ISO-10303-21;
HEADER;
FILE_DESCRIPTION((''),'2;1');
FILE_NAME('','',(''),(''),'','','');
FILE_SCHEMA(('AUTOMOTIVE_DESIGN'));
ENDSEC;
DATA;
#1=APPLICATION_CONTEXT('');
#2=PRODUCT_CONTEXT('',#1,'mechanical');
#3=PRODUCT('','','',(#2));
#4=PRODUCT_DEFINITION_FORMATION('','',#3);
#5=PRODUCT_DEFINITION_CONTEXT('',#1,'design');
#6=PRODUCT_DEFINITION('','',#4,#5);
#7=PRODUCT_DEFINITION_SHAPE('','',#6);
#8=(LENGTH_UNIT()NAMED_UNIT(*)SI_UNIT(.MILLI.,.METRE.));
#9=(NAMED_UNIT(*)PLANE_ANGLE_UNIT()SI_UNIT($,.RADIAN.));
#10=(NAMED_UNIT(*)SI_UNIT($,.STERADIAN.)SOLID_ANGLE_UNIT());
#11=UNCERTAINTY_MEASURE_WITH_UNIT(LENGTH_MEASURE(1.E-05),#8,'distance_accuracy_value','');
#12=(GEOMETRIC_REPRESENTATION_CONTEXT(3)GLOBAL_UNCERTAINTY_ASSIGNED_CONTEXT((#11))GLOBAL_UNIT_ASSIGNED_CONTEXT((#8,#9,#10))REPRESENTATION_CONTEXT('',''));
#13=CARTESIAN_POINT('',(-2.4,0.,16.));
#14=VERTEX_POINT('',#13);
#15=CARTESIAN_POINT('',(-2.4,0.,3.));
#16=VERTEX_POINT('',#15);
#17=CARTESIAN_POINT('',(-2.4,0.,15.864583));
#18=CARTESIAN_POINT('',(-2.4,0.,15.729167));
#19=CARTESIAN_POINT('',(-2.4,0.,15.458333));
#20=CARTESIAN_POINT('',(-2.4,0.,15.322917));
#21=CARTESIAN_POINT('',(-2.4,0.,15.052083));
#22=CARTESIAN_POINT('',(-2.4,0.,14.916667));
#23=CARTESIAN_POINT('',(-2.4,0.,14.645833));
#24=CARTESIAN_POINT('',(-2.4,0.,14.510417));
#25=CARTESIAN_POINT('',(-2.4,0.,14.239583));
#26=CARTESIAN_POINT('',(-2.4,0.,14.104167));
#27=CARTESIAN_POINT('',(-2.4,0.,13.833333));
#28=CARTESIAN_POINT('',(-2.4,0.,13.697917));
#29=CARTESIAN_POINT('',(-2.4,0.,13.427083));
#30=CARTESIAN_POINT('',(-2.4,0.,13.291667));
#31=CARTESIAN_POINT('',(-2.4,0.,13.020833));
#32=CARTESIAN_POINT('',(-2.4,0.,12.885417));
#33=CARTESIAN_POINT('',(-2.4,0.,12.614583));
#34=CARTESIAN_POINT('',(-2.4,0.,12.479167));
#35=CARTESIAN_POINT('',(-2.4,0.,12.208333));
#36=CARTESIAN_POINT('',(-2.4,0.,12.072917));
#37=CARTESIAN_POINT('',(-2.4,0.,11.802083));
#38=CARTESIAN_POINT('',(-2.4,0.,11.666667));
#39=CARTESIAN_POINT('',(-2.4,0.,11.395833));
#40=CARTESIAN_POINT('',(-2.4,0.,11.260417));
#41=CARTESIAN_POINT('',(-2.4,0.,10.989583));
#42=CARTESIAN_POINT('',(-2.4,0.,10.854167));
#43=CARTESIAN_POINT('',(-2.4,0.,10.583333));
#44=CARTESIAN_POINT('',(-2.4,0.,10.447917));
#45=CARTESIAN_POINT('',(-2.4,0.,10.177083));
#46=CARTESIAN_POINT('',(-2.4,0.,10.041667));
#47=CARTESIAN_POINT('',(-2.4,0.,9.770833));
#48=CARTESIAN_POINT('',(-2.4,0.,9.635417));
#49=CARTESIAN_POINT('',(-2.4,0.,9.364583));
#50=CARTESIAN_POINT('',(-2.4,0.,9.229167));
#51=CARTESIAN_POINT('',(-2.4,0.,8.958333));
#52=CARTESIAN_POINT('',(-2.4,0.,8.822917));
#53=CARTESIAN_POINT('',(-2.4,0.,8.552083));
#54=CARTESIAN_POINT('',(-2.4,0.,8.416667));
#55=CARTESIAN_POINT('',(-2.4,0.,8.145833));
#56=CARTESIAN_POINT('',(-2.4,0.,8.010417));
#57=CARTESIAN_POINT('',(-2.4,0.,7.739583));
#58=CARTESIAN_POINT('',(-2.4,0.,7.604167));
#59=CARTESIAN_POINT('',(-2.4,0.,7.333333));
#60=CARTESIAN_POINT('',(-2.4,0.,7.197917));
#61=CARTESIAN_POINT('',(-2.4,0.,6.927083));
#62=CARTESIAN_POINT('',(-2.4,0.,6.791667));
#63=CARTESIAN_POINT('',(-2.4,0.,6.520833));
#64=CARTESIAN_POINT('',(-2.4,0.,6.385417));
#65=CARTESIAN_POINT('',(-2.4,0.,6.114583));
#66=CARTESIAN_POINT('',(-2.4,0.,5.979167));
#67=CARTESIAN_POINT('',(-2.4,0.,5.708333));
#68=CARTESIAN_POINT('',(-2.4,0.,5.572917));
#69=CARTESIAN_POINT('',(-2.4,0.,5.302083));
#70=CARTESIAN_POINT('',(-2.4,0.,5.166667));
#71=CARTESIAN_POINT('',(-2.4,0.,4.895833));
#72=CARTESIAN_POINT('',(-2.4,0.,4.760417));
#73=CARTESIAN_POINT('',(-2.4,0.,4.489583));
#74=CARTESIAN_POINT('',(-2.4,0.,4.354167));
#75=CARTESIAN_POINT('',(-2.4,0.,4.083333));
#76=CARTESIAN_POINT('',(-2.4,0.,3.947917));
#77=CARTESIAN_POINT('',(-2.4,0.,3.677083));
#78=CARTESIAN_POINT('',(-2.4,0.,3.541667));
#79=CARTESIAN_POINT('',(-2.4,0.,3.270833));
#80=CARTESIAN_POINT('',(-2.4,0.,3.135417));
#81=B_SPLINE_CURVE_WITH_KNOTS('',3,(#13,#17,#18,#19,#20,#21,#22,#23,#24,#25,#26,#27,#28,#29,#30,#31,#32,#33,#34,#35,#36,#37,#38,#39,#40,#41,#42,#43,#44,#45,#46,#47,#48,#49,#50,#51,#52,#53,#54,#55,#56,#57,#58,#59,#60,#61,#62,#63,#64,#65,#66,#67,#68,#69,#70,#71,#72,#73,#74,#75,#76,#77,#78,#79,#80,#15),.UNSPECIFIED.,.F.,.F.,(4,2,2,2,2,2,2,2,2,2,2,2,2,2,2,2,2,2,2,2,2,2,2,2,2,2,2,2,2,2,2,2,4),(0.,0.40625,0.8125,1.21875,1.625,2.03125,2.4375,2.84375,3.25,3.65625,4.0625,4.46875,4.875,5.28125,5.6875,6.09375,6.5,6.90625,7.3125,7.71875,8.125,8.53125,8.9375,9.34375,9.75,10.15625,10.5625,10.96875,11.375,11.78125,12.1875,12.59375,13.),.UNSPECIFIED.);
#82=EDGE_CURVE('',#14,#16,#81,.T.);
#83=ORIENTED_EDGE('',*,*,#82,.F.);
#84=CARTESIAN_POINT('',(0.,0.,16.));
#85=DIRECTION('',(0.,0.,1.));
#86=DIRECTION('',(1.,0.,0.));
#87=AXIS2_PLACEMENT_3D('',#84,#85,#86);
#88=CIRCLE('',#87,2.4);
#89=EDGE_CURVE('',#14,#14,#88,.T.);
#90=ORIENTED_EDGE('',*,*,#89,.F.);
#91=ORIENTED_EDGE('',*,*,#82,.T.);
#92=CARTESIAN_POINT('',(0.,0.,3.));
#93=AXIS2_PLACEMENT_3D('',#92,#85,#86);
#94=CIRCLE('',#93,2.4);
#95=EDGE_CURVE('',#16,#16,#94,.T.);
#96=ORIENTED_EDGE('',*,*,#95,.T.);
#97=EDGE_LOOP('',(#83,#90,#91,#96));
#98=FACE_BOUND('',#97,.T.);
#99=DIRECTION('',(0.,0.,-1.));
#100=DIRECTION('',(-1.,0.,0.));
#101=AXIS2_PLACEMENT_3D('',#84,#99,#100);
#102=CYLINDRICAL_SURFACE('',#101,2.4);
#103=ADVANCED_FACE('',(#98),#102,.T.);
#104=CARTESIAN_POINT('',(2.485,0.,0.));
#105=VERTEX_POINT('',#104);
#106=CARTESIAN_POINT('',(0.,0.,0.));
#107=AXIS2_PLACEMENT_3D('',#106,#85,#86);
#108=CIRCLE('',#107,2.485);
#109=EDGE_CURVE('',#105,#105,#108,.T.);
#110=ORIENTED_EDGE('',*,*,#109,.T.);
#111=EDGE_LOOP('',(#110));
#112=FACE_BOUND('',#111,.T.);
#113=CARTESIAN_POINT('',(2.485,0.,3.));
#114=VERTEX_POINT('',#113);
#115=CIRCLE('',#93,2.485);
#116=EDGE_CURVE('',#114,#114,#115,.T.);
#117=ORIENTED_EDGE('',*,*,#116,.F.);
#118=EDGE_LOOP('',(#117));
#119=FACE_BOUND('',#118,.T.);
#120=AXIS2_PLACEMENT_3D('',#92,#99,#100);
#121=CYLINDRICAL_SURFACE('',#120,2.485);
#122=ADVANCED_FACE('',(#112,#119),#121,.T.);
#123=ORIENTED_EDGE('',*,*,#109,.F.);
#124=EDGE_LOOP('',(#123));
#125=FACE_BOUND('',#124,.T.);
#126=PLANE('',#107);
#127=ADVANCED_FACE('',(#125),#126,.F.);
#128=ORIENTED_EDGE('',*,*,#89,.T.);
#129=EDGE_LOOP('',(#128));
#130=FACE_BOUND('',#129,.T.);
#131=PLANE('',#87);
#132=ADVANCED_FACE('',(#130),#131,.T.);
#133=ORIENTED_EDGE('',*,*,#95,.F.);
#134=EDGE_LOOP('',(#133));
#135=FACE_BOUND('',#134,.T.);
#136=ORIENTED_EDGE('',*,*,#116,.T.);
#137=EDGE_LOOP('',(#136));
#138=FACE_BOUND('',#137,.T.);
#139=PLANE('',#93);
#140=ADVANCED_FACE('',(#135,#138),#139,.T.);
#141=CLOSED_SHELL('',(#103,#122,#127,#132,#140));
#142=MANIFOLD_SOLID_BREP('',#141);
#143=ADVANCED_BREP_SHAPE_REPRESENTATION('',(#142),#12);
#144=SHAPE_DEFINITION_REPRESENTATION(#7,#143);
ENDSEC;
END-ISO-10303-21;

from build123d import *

# Parameters (mm, degrees)
SKETCH_1_R      = 2.485
EXTRUDE_1_DEPTH = 3
SKETCH_2_R      = 2.4
EXTRUDE_2_DEPTH = 13


with BuildPart() as part:
    # 스케치1 → 보스-돌출1 (new body)
    with BuildSketch(Plane.XY):
        Circle(SKETCH_1_R)
    extrude(amount=EXTRUDE_1_DEPTH)

    # 스케치2 → 보스-돌출2 (add)
    with BuildSketch(Plane.XY.offset(3)):
        with Locations(Location((0, 0, 0), (0, 0, 180))):
            Circle(SKETCH_2_R)
    extrude(amount=EXTRUDE_2_DEPTH)


solid = part.part
